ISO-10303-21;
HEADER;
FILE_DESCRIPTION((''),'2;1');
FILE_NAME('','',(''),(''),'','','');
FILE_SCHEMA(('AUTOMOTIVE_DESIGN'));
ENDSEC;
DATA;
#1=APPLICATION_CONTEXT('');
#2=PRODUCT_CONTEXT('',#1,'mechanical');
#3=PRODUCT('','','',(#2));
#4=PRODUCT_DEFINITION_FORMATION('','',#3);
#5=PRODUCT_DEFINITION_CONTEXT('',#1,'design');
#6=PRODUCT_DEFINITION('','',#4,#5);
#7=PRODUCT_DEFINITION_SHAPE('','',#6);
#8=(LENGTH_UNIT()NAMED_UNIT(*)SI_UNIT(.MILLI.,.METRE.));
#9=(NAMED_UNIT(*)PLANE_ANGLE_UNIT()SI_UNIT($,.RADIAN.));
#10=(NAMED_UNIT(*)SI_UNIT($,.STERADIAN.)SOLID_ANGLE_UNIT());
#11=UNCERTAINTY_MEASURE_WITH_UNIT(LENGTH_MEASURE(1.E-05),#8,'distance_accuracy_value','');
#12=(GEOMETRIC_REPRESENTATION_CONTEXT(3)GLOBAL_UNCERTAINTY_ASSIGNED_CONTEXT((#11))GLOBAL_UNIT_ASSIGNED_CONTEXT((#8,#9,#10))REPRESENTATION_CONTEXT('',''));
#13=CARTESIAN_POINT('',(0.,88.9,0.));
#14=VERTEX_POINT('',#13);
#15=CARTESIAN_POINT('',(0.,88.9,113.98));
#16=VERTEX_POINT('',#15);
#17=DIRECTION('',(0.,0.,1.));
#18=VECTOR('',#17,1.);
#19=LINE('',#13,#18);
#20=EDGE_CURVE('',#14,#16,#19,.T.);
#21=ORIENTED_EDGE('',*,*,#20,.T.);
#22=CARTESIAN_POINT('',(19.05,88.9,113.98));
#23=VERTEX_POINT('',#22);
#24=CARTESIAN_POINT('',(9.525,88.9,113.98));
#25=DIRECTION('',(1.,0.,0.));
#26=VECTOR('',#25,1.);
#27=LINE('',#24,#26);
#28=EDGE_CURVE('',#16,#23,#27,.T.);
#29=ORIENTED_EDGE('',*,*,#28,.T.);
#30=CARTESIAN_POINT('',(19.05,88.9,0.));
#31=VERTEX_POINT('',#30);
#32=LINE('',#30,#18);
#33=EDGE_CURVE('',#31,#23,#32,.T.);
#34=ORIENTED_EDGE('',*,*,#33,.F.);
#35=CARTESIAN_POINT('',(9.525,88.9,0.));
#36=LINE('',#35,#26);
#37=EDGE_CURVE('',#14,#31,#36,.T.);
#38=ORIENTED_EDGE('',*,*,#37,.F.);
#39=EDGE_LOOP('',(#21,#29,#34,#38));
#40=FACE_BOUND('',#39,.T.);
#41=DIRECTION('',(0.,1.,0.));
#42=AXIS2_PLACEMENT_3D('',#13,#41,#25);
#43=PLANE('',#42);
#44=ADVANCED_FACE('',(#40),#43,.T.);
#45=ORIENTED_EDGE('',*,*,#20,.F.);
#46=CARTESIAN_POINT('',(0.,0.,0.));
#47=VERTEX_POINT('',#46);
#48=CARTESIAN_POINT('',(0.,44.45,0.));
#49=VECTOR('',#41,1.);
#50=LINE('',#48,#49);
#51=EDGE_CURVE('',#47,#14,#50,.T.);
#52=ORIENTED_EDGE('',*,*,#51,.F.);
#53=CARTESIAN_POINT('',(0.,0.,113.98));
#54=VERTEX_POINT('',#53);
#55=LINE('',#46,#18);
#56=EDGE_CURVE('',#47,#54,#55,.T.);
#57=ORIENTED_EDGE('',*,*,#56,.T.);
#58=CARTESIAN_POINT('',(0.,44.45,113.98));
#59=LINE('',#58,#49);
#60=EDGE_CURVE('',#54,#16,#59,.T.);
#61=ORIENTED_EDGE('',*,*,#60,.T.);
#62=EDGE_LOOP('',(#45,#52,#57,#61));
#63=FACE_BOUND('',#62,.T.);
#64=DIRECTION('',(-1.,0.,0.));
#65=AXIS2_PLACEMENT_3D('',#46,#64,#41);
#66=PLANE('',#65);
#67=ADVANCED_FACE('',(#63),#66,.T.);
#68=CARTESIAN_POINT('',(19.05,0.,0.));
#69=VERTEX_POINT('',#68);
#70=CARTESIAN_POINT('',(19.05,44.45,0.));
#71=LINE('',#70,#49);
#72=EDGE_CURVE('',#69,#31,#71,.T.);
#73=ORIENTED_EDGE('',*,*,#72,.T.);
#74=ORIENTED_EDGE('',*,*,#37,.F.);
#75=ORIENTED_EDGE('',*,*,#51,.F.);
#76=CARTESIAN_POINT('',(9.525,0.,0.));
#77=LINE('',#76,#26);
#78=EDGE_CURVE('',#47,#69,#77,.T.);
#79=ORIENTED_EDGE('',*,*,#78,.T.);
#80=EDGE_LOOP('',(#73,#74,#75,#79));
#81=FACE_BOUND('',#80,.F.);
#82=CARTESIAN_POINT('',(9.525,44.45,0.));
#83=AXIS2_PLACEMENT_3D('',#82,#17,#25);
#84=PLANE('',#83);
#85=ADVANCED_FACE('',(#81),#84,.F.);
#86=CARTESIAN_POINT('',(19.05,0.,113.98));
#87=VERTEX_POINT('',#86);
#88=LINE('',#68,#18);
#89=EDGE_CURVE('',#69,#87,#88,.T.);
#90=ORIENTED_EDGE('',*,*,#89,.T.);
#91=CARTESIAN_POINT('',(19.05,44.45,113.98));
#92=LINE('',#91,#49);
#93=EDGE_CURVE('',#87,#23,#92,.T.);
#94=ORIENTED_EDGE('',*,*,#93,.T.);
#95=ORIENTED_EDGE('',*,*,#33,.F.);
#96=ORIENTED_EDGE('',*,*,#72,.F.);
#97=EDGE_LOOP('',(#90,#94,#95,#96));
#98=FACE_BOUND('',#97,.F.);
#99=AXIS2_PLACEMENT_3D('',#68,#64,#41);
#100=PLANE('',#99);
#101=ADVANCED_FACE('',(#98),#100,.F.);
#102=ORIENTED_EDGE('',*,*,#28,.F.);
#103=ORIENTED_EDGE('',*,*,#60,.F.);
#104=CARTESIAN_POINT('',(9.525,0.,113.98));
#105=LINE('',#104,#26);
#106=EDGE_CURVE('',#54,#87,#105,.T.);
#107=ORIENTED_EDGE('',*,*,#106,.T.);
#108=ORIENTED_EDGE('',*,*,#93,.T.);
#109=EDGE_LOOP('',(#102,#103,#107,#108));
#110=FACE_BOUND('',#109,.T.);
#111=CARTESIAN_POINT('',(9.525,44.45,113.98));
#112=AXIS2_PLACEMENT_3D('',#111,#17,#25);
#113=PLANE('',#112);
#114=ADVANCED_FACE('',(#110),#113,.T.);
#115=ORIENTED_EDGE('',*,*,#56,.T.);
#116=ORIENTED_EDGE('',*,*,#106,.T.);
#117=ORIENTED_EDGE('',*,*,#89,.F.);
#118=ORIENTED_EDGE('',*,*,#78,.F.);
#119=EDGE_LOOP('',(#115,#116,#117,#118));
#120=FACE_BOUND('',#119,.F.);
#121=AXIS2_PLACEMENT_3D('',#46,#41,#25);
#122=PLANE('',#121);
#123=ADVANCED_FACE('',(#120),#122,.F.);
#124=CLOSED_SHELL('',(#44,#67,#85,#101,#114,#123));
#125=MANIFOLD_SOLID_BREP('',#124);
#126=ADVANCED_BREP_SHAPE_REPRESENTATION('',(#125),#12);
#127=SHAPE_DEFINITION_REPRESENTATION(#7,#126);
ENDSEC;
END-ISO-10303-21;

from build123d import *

# Parameters (mm, degrees)
SKETCH_W  = 19.05
SKETCH_H  = 88.9
PAD_DEPTH = 113.98


with BuildPart() as part:
    # Sketch → Pad (new body)
    with BuildSketch(Plane.XY):
        with Locations((9.525, 44.45)):
            Rectangle(SKETCH_W, SKETCH_H)
    extrude(amount=PAD_DEPTH)


solid = part.part
